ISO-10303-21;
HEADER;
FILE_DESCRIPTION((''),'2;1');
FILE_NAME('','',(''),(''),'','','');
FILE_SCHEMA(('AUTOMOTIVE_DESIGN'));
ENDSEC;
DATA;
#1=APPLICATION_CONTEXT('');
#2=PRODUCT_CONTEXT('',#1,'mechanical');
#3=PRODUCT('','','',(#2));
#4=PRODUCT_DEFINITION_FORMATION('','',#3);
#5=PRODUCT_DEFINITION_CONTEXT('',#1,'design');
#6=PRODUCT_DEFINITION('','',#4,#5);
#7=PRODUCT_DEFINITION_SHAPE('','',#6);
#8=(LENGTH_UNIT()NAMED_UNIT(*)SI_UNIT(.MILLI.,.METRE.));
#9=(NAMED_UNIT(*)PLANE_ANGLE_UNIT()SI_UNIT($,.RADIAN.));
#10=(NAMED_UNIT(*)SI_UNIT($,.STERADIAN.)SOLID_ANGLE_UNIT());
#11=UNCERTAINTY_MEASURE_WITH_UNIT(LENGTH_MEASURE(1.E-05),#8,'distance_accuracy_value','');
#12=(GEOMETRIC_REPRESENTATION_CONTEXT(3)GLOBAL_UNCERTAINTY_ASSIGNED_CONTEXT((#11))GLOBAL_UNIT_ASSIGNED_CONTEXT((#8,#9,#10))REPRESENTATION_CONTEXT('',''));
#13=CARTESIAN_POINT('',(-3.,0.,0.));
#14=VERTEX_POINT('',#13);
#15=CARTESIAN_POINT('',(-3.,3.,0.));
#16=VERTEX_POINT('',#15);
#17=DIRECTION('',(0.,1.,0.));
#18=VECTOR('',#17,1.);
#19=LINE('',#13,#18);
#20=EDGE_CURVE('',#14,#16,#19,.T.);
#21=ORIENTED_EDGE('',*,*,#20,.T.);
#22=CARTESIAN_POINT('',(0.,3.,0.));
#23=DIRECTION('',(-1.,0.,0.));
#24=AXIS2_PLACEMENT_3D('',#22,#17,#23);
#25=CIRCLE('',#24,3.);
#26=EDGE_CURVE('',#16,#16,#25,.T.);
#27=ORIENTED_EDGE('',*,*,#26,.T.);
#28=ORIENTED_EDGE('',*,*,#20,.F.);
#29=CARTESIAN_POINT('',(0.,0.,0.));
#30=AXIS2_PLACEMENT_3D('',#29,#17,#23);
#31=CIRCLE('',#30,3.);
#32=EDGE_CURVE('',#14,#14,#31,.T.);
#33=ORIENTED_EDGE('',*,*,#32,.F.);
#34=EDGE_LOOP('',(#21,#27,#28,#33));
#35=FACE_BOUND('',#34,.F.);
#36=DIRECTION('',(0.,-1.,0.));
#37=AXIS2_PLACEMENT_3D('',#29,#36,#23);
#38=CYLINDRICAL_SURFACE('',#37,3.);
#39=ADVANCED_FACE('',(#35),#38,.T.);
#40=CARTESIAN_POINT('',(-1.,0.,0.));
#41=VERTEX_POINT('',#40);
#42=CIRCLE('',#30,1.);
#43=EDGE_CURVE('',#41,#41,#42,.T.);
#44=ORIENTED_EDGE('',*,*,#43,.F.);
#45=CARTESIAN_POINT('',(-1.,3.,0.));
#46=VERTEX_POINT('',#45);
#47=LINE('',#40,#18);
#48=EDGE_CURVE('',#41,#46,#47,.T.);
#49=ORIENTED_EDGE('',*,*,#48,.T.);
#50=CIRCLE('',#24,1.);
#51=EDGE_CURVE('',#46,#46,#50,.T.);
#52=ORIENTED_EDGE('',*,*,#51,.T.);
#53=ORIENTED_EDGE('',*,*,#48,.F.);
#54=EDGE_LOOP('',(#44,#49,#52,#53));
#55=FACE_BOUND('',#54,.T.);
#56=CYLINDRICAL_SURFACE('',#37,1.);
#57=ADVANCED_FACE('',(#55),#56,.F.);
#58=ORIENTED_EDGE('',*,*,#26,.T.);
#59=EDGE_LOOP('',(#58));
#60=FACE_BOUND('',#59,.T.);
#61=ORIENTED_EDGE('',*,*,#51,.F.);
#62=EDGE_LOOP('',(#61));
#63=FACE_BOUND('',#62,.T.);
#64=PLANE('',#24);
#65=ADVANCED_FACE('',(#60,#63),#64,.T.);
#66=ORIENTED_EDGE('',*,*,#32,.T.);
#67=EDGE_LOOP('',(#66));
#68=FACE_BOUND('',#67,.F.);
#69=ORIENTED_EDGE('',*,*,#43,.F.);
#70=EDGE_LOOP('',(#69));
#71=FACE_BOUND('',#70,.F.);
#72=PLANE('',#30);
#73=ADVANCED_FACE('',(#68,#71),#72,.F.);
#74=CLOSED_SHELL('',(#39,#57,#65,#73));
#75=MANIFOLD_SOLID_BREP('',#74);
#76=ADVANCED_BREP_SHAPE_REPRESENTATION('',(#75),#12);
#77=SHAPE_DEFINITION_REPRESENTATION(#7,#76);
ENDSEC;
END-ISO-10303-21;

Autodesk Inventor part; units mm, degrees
ref_plane "YZ Plane" through (0, 0, 0) normal (1, 0, 0) x (0, 1, 0)
ref_plane "XZ Plane" through (0, 0, 0) normal (0, 1, 0) x (-1, 0, 0)
ref_plane "XY Plane" through (0, 0, 0) normal (0, 0, 1) x (1, 0, 0)
sketch "Sketch1" plane through (0, 0, 0) normal (0, 1, 0) x (-1, 0, 0)
  circle A0 centre (0, 0) radius 1
  circle A1 centre (0, 0) radius 3
  dimension "d0" = 2
  dimension "d1" = 6
extrude "Extrusion1" add sketch "Sketch1" along normal blind 3
properties part number "ScrewRing"
